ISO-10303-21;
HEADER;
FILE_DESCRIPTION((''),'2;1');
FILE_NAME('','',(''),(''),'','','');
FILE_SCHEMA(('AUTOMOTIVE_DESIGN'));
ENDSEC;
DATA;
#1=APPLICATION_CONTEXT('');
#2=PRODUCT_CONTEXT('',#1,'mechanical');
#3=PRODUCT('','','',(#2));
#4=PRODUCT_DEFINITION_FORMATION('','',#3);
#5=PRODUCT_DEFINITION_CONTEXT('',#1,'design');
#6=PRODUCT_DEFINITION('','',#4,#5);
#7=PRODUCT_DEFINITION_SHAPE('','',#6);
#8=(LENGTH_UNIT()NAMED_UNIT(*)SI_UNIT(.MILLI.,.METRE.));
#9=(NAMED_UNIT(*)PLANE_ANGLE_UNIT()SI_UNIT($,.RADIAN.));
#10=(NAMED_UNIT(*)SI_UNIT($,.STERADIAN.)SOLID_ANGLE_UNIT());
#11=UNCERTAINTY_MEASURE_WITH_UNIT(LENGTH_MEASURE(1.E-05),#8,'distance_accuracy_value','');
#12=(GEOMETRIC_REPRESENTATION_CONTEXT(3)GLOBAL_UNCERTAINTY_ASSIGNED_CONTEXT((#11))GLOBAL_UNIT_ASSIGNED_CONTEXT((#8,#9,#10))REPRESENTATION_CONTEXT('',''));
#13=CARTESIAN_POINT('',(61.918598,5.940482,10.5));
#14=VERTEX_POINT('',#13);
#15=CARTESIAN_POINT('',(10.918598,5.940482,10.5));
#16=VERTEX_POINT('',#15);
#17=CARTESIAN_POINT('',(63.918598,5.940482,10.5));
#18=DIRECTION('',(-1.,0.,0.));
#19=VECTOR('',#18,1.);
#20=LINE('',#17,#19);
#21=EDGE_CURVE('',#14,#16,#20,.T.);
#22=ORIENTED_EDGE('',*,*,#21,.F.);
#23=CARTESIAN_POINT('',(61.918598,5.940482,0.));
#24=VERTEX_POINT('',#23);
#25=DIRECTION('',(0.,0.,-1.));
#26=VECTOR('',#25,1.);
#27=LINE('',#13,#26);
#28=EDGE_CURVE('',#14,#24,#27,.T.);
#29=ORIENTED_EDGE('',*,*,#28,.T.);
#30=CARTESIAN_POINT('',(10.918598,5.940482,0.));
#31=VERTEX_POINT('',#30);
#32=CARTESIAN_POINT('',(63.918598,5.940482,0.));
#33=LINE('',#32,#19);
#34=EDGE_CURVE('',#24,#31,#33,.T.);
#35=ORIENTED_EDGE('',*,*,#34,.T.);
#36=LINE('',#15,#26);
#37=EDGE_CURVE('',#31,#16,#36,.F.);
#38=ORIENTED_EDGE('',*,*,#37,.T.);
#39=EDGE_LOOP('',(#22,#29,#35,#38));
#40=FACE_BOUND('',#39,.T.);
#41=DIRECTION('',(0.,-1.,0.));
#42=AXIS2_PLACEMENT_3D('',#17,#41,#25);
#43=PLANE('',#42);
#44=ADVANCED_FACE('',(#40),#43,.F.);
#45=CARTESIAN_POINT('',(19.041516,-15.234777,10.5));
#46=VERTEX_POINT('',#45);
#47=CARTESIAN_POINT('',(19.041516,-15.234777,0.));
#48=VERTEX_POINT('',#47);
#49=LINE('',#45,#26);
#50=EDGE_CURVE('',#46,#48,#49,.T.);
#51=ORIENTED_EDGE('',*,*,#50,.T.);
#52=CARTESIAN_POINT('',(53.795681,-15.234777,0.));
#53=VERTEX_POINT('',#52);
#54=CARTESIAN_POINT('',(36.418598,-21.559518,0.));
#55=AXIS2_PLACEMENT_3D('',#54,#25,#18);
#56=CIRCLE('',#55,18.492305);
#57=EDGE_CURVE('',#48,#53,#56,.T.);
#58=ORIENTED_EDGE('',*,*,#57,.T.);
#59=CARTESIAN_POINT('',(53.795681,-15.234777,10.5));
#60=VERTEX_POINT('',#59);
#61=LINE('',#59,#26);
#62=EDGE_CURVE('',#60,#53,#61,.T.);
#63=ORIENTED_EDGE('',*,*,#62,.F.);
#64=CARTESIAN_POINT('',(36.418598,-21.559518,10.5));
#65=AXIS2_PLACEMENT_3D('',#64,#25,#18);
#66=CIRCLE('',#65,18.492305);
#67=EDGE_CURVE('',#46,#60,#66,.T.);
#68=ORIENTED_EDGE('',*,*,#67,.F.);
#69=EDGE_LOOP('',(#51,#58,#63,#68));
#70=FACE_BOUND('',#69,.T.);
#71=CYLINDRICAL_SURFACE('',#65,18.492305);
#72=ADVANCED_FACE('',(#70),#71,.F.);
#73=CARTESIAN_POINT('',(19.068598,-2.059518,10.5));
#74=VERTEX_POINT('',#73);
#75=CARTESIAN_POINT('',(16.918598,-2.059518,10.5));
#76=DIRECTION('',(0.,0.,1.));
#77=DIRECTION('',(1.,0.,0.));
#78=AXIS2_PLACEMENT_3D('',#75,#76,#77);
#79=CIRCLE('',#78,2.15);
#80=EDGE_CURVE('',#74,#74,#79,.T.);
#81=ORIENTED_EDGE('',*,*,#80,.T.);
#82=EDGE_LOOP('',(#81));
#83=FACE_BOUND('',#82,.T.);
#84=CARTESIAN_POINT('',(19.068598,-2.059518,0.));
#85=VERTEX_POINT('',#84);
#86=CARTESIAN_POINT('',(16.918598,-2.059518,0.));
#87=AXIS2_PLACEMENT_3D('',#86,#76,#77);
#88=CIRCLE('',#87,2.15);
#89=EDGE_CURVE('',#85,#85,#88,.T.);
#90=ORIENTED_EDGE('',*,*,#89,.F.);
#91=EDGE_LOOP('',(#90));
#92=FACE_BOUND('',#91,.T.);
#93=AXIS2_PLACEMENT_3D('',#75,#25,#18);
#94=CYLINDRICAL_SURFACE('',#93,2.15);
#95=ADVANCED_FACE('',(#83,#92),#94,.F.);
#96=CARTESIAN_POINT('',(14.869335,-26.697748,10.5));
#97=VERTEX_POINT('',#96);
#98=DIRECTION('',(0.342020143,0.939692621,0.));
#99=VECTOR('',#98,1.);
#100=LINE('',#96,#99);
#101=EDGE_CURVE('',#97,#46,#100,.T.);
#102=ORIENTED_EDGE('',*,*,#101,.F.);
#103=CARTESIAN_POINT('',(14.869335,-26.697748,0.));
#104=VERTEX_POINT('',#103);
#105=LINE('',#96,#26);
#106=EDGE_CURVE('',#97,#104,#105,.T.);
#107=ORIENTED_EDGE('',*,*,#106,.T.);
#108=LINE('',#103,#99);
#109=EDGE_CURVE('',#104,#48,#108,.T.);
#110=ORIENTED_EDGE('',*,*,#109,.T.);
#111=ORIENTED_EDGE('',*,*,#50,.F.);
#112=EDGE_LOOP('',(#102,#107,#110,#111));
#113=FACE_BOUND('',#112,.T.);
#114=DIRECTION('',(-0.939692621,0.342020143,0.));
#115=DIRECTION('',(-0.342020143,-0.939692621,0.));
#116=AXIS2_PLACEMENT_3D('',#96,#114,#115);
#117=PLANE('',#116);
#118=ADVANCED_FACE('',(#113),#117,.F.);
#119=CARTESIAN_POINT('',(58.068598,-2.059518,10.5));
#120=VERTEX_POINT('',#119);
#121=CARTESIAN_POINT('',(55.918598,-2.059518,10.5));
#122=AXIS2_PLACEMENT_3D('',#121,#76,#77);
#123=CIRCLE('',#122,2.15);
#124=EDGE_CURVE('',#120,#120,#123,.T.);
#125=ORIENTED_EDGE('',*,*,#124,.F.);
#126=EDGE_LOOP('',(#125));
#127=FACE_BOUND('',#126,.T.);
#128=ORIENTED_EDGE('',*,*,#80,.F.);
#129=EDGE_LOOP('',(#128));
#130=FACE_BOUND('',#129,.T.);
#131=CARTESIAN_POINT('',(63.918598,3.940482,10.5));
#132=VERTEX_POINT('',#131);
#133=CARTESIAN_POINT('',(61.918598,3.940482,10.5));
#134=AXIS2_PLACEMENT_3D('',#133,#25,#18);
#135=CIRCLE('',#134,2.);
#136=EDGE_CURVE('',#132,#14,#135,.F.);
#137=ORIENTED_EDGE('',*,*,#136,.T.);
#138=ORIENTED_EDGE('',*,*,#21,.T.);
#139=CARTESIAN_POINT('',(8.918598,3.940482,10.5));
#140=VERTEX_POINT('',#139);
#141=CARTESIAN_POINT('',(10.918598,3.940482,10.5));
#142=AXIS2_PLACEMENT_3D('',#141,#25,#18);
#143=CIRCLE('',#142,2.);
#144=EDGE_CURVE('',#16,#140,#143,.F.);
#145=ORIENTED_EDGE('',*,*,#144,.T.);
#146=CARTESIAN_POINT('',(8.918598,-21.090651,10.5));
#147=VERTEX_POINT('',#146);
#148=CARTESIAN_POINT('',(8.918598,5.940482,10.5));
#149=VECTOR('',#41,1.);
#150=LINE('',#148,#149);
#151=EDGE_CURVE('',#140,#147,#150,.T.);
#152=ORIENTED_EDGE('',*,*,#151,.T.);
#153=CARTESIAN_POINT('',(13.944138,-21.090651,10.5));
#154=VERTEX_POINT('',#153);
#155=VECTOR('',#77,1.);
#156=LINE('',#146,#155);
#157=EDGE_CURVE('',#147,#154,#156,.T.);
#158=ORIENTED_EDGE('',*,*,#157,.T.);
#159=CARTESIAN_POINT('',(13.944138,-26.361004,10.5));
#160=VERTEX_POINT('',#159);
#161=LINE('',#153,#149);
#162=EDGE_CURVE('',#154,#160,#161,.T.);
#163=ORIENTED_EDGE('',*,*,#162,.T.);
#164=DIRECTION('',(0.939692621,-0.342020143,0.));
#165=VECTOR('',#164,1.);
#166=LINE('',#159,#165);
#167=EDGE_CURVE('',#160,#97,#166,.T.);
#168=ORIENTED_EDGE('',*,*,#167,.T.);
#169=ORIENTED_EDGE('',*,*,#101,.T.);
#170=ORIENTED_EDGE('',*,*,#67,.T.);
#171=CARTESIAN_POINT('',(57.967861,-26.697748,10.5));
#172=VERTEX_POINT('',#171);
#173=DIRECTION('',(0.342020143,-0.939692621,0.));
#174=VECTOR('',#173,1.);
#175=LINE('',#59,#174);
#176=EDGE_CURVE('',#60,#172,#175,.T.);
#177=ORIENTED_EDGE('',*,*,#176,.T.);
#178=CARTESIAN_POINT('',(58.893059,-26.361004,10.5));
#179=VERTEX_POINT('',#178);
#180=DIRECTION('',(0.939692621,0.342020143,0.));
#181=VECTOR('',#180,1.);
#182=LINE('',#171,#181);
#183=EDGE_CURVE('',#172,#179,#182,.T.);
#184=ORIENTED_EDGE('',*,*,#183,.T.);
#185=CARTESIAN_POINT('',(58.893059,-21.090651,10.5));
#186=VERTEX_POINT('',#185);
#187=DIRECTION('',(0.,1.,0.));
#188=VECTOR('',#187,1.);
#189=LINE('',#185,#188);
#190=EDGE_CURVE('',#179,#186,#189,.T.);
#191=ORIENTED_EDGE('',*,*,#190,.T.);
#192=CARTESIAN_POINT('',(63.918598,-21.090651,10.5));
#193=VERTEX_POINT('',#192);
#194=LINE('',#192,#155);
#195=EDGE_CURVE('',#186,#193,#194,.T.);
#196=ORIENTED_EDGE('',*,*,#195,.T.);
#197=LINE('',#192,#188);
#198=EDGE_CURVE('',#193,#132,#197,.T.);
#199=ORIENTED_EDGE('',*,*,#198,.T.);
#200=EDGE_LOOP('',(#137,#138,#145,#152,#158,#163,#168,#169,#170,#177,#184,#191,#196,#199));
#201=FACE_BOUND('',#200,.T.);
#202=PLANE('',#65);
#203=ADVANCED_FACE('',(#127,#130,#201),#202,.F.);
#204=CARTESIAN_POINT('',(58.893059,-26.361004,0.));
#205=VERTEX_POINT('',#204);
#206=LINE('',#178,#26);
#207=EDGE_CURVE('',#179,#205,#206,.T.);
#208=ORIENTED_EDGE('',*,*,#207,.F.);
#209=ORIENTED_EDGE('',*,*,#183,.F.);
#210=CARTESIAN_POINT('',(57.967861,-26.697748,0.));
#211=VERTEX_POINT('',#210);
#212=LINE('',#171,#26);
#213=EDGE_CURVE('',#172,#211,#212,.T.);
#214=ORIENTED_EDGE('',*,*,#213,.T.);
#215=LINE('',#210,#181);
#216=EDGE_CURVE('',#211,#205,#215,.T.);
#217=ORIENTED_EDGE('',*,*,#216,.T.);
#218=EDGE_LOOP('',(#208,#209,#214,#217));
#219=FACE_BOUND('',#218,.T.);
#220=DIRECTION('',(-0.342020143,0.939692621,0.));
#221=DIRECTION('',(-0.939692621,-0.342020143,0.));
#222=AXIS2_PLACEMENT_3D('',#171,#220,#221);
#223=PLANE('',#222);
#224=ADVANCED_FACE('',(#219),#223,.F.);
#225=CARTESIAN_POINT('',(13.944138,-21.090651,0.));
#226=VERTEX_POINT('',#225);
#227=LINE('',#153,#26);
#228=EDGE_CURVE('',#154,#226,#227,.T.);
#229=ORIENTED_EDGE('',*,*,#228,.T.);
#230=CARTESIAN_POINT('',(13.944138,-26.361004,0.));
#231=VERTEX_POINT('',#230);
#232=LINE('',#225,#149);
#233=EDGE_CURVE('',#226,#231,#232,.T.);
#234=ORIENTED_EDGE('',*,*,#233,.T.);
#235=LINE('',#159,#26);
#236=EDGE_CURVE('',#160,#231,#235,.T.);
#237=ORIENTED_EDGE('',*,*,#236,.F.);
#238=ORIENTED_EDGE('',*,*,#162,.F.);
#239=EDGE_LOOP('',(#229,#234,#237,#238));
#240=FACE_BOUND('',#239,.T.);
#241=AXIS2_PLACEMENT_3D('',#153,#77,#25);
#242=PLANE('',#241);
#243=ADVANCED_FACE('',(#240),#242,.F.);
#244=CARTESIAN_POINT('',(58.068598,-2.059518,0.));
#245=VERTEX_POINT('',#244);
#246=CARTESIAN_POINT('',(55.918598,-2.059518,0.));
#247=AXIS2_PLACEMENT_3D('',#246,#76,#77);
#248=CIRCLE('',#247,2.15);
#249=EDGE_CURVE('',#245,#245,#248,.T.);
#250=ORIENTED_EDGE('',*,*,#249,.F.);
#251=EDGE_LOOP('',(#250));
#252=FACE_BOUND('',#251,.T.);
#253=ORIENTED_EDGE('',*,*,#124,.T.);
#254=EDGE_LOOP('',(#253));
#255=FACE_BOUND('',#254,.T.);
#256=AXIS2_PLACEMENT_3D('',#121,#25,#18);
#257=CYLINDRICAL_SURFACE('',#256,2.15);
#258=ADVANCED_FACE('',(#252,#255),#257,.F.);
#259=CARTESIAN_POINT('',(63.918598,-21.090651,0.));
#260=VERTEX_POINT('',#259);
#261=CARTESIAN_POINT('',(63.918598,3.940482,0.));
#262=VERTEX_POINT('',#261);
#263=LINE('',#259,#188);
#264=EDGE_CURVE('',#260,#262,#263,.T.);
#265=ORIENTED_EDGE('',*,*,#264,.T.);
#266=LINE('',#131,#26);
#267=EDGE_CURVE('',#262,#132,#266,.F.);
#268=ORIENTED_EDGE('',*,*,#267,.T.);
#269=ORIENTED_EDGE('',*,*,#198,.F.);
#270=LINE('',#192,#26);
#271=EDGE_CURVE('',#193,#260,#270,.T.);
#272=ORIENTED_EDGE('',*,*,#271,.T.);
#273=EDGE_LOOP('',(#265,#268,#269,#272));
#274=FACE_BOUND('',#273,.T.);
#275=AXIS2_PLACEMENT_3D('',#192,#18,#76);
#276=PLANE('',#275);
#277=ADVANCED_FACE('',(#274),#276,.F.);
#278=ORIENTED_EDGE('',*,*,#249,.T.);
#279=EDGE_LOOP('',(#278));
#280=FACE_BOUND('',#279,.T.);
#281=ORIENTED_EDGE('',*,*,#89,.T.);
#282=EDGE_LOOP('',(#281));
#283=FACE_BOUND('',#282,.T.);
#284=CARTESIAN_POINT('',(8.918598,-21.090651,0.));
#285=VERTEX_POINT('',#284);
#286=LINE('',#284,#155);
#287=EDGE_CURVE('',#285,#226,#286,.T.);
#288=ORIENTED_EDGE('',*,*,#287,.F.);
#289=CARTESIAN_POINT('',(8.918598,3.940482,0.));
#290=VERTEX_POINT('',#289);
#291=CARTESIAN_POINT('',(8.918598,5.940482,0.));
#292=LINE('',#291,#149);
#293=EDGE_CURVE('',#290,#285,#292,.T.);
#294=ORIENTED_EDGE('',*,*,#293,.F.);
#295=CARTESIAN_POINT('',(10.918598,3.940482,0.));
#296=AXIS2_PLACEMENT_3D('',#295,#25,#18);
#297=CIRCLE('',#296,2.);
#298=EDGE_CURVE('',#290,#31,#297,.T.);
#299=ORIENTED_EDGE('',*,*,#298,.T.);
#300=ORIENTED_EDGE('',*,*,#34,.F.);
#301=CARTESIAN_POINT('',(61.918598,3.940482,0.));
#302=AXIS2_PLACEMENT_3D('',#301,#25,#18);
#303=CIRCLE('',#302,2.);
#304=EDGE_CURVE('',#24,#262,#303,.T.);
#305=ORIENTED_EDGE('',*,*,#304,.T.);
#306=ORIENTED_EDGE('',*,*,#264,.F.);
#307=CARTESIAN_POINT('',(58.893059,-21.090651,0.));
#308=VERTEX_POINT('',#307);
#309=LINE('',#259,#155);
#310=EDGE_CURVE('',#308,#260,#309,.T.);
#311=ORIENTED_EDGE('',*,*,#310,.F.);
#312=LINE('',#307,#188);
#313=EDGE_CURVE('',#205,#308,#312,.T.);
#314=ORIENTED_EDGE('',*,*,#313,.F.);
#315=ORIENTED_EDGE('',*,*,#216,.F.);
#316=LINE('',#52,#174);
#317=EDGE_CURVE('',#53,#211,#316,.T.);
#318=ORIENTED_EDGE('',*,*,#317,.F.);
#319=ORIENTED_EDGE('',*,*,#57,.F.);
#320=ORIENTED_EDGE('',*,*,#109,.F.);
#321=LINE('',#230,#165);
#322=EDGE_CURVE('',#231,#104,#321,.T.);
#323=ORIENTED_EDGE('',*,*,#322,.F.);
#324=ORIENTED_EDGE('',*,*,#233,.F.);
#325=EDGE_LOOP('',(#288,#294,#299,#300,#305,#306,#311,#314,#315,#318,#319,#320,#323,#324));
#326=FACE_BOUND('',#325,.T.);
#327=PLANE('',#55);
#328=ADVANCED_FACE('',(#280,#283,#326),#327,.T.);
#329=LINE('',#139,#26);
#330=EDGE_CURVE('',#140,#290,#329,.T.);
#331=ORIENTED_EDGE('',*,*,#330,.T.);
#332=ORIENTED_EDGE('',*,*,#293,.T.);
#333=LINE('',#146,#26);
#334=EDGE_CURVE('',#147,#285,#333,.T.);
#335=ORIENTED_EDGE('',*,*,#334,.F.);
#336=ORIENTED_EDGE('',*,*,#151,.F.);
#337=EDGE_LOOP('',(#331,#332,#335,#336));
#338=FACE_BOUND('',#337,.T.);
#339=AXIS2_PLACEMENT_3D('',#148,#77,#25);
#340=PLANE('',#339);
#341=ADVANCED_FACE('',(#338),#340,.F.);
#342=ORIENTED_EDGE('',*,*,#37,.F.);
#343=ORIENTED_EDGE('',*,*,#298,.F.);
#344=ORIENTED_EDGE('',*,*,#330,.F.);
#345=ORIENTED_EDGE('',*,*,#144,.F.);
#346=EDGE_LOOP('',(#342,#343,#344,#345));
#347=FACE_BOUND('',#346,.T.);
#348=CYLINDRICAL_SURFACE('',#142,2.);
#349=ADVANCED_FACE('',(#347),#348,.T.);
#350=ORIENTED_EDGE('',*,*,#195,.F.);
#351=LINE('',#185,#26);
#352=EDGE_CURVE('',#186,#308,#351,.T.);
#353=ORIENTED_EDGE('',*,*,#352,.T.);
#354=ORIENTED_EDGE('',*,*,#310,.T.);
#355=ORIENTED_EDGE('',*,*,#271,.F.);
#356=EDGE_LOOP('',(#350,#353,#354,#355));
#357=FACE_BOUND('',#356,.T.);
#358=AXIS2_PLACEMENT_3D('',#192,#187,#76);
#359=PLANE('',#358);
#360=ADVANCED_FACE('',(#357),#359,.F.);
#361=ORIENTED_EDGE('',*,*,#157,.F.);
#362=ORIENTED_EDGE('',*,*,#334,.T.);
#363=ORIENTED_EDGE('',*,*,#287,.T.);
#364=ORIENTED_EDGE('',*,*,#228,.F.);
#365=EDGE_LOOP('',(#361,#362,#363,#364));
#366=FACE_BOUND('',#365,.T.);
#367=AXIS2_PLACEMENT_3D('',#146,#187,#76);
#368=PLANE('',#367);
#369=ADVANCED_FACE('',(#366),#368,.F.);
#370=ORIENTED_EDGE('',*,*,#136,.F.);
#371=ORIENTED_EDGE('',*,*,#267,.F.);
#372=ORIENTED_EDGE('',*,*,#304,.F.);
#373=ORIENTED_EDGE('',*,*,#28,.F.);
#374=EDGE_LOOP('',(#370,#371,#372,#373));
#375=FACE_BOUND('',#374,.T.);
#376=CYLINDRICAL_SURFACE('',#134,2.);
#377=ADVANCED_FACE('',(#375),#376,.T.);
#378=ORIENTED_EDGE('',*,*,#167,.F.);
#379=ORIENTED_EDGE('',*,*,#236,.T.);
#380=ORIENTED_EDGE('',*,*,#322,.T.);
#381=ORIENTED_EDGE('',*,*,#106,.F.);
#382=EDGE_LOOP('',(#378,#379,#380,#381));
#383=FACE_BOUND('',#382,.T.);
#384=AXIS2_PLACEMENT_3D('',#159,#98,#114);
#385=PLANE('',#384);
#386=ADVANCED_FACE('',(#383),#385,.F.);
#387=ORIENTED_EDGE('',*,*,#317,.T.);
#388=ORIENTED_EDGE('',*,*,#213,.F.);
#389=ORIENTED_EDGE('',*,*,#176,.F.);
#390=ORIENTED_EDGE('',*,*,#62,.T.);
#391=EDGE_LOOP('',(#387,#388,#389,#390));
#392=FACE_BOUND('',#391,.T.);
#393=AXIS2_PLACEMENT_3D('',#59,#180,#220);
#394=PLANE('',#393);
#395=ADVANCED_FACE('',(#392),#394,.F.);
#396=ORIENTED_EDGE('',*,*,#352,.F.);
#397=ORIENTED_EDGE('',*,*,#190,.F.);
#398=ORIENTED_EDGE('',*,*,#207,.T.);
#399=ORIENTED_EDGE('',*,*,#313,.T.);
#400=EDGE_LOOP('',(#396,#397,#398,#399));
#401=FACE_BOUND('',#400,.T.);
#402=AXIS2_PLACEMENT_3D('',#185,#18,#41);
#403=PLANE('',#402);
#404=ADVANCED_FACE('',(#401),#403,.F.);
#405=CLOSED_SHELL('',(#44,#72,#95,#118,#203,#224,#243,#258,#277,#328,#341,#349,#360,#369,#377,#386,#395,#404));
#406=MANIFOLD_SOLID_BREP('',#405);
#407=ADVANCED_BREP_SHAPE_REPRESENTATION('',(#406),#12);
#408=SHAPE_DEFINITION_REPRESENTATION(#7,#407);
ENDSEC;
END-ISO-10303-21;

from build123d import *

# Parameters (mm, degrees)
SKETCH1_R           = 2.15
BOSS_EXTRUDE1_DEPTH = 10.5
FILLET1_R           = 2


with BuildPart() as part:
    # Sketch1 → Boss-Extrude1 (new body)
    with BuildSketch(Plane.XY):
        with BuildLine():
            Line((13.944137731, -26.361003887), (14.869335388, -26.697748295))
            Line((14.869335388, -26.697748295), (19.041515783, -15.234776871))
            ThreePointArc((19.041515783, -15.234776871), (36.418598187, -3.067212779), (53.795680592, -15.234776871))
            Line((53.795680592, -15.234776871), (57.967860986, -26.697748295))
            Line((57.967860986, -26.697748295), (58.893058643, -26.361003887))
            Line((58.893058643, -26.361003887), (58.893058643, -21.090651307))
            Line((58.893058643, -21.090651307), (63.918598187, -21.090651307))
            Line((63.918598187, -21.090651307), (63.918598187, 5.940482376))
            Line((63.918598187, 5.940482376), (8.918598187, 5.940482376))
            Line((8.918598187, 5.940482376), (8.918598187, -21.090651307))
            Line((8.918598187, -21.090651307), (13.944137731, -21.090651307))
            Line((13.944137731, -21.090651307), (13.944137731, -26.361003887))
        make_face()
        with Locations((55.918598187, -2.059517624)):
            Circle(SKETCH1_R, mode=Mode.SUBTRACT)
        with Locations((16.918598187, -2.059517624)):
            Circle(SKETCH1_R, mode=Mode.SUBTRACT)
    extrude(amount=BOSS_EXTRUDE1_DEPTH)

    # Fillet1
    fillet1_edges = [part.edges().sort_by_distance(p)[0] for p in [
        (8.918598187, 5.940482376, 5.25),
        (63.918598187, 5.940482376, 5.25),
    ]]
    fillet(fillet1_edges, radius=FILLET1_R)


solid = part.part
